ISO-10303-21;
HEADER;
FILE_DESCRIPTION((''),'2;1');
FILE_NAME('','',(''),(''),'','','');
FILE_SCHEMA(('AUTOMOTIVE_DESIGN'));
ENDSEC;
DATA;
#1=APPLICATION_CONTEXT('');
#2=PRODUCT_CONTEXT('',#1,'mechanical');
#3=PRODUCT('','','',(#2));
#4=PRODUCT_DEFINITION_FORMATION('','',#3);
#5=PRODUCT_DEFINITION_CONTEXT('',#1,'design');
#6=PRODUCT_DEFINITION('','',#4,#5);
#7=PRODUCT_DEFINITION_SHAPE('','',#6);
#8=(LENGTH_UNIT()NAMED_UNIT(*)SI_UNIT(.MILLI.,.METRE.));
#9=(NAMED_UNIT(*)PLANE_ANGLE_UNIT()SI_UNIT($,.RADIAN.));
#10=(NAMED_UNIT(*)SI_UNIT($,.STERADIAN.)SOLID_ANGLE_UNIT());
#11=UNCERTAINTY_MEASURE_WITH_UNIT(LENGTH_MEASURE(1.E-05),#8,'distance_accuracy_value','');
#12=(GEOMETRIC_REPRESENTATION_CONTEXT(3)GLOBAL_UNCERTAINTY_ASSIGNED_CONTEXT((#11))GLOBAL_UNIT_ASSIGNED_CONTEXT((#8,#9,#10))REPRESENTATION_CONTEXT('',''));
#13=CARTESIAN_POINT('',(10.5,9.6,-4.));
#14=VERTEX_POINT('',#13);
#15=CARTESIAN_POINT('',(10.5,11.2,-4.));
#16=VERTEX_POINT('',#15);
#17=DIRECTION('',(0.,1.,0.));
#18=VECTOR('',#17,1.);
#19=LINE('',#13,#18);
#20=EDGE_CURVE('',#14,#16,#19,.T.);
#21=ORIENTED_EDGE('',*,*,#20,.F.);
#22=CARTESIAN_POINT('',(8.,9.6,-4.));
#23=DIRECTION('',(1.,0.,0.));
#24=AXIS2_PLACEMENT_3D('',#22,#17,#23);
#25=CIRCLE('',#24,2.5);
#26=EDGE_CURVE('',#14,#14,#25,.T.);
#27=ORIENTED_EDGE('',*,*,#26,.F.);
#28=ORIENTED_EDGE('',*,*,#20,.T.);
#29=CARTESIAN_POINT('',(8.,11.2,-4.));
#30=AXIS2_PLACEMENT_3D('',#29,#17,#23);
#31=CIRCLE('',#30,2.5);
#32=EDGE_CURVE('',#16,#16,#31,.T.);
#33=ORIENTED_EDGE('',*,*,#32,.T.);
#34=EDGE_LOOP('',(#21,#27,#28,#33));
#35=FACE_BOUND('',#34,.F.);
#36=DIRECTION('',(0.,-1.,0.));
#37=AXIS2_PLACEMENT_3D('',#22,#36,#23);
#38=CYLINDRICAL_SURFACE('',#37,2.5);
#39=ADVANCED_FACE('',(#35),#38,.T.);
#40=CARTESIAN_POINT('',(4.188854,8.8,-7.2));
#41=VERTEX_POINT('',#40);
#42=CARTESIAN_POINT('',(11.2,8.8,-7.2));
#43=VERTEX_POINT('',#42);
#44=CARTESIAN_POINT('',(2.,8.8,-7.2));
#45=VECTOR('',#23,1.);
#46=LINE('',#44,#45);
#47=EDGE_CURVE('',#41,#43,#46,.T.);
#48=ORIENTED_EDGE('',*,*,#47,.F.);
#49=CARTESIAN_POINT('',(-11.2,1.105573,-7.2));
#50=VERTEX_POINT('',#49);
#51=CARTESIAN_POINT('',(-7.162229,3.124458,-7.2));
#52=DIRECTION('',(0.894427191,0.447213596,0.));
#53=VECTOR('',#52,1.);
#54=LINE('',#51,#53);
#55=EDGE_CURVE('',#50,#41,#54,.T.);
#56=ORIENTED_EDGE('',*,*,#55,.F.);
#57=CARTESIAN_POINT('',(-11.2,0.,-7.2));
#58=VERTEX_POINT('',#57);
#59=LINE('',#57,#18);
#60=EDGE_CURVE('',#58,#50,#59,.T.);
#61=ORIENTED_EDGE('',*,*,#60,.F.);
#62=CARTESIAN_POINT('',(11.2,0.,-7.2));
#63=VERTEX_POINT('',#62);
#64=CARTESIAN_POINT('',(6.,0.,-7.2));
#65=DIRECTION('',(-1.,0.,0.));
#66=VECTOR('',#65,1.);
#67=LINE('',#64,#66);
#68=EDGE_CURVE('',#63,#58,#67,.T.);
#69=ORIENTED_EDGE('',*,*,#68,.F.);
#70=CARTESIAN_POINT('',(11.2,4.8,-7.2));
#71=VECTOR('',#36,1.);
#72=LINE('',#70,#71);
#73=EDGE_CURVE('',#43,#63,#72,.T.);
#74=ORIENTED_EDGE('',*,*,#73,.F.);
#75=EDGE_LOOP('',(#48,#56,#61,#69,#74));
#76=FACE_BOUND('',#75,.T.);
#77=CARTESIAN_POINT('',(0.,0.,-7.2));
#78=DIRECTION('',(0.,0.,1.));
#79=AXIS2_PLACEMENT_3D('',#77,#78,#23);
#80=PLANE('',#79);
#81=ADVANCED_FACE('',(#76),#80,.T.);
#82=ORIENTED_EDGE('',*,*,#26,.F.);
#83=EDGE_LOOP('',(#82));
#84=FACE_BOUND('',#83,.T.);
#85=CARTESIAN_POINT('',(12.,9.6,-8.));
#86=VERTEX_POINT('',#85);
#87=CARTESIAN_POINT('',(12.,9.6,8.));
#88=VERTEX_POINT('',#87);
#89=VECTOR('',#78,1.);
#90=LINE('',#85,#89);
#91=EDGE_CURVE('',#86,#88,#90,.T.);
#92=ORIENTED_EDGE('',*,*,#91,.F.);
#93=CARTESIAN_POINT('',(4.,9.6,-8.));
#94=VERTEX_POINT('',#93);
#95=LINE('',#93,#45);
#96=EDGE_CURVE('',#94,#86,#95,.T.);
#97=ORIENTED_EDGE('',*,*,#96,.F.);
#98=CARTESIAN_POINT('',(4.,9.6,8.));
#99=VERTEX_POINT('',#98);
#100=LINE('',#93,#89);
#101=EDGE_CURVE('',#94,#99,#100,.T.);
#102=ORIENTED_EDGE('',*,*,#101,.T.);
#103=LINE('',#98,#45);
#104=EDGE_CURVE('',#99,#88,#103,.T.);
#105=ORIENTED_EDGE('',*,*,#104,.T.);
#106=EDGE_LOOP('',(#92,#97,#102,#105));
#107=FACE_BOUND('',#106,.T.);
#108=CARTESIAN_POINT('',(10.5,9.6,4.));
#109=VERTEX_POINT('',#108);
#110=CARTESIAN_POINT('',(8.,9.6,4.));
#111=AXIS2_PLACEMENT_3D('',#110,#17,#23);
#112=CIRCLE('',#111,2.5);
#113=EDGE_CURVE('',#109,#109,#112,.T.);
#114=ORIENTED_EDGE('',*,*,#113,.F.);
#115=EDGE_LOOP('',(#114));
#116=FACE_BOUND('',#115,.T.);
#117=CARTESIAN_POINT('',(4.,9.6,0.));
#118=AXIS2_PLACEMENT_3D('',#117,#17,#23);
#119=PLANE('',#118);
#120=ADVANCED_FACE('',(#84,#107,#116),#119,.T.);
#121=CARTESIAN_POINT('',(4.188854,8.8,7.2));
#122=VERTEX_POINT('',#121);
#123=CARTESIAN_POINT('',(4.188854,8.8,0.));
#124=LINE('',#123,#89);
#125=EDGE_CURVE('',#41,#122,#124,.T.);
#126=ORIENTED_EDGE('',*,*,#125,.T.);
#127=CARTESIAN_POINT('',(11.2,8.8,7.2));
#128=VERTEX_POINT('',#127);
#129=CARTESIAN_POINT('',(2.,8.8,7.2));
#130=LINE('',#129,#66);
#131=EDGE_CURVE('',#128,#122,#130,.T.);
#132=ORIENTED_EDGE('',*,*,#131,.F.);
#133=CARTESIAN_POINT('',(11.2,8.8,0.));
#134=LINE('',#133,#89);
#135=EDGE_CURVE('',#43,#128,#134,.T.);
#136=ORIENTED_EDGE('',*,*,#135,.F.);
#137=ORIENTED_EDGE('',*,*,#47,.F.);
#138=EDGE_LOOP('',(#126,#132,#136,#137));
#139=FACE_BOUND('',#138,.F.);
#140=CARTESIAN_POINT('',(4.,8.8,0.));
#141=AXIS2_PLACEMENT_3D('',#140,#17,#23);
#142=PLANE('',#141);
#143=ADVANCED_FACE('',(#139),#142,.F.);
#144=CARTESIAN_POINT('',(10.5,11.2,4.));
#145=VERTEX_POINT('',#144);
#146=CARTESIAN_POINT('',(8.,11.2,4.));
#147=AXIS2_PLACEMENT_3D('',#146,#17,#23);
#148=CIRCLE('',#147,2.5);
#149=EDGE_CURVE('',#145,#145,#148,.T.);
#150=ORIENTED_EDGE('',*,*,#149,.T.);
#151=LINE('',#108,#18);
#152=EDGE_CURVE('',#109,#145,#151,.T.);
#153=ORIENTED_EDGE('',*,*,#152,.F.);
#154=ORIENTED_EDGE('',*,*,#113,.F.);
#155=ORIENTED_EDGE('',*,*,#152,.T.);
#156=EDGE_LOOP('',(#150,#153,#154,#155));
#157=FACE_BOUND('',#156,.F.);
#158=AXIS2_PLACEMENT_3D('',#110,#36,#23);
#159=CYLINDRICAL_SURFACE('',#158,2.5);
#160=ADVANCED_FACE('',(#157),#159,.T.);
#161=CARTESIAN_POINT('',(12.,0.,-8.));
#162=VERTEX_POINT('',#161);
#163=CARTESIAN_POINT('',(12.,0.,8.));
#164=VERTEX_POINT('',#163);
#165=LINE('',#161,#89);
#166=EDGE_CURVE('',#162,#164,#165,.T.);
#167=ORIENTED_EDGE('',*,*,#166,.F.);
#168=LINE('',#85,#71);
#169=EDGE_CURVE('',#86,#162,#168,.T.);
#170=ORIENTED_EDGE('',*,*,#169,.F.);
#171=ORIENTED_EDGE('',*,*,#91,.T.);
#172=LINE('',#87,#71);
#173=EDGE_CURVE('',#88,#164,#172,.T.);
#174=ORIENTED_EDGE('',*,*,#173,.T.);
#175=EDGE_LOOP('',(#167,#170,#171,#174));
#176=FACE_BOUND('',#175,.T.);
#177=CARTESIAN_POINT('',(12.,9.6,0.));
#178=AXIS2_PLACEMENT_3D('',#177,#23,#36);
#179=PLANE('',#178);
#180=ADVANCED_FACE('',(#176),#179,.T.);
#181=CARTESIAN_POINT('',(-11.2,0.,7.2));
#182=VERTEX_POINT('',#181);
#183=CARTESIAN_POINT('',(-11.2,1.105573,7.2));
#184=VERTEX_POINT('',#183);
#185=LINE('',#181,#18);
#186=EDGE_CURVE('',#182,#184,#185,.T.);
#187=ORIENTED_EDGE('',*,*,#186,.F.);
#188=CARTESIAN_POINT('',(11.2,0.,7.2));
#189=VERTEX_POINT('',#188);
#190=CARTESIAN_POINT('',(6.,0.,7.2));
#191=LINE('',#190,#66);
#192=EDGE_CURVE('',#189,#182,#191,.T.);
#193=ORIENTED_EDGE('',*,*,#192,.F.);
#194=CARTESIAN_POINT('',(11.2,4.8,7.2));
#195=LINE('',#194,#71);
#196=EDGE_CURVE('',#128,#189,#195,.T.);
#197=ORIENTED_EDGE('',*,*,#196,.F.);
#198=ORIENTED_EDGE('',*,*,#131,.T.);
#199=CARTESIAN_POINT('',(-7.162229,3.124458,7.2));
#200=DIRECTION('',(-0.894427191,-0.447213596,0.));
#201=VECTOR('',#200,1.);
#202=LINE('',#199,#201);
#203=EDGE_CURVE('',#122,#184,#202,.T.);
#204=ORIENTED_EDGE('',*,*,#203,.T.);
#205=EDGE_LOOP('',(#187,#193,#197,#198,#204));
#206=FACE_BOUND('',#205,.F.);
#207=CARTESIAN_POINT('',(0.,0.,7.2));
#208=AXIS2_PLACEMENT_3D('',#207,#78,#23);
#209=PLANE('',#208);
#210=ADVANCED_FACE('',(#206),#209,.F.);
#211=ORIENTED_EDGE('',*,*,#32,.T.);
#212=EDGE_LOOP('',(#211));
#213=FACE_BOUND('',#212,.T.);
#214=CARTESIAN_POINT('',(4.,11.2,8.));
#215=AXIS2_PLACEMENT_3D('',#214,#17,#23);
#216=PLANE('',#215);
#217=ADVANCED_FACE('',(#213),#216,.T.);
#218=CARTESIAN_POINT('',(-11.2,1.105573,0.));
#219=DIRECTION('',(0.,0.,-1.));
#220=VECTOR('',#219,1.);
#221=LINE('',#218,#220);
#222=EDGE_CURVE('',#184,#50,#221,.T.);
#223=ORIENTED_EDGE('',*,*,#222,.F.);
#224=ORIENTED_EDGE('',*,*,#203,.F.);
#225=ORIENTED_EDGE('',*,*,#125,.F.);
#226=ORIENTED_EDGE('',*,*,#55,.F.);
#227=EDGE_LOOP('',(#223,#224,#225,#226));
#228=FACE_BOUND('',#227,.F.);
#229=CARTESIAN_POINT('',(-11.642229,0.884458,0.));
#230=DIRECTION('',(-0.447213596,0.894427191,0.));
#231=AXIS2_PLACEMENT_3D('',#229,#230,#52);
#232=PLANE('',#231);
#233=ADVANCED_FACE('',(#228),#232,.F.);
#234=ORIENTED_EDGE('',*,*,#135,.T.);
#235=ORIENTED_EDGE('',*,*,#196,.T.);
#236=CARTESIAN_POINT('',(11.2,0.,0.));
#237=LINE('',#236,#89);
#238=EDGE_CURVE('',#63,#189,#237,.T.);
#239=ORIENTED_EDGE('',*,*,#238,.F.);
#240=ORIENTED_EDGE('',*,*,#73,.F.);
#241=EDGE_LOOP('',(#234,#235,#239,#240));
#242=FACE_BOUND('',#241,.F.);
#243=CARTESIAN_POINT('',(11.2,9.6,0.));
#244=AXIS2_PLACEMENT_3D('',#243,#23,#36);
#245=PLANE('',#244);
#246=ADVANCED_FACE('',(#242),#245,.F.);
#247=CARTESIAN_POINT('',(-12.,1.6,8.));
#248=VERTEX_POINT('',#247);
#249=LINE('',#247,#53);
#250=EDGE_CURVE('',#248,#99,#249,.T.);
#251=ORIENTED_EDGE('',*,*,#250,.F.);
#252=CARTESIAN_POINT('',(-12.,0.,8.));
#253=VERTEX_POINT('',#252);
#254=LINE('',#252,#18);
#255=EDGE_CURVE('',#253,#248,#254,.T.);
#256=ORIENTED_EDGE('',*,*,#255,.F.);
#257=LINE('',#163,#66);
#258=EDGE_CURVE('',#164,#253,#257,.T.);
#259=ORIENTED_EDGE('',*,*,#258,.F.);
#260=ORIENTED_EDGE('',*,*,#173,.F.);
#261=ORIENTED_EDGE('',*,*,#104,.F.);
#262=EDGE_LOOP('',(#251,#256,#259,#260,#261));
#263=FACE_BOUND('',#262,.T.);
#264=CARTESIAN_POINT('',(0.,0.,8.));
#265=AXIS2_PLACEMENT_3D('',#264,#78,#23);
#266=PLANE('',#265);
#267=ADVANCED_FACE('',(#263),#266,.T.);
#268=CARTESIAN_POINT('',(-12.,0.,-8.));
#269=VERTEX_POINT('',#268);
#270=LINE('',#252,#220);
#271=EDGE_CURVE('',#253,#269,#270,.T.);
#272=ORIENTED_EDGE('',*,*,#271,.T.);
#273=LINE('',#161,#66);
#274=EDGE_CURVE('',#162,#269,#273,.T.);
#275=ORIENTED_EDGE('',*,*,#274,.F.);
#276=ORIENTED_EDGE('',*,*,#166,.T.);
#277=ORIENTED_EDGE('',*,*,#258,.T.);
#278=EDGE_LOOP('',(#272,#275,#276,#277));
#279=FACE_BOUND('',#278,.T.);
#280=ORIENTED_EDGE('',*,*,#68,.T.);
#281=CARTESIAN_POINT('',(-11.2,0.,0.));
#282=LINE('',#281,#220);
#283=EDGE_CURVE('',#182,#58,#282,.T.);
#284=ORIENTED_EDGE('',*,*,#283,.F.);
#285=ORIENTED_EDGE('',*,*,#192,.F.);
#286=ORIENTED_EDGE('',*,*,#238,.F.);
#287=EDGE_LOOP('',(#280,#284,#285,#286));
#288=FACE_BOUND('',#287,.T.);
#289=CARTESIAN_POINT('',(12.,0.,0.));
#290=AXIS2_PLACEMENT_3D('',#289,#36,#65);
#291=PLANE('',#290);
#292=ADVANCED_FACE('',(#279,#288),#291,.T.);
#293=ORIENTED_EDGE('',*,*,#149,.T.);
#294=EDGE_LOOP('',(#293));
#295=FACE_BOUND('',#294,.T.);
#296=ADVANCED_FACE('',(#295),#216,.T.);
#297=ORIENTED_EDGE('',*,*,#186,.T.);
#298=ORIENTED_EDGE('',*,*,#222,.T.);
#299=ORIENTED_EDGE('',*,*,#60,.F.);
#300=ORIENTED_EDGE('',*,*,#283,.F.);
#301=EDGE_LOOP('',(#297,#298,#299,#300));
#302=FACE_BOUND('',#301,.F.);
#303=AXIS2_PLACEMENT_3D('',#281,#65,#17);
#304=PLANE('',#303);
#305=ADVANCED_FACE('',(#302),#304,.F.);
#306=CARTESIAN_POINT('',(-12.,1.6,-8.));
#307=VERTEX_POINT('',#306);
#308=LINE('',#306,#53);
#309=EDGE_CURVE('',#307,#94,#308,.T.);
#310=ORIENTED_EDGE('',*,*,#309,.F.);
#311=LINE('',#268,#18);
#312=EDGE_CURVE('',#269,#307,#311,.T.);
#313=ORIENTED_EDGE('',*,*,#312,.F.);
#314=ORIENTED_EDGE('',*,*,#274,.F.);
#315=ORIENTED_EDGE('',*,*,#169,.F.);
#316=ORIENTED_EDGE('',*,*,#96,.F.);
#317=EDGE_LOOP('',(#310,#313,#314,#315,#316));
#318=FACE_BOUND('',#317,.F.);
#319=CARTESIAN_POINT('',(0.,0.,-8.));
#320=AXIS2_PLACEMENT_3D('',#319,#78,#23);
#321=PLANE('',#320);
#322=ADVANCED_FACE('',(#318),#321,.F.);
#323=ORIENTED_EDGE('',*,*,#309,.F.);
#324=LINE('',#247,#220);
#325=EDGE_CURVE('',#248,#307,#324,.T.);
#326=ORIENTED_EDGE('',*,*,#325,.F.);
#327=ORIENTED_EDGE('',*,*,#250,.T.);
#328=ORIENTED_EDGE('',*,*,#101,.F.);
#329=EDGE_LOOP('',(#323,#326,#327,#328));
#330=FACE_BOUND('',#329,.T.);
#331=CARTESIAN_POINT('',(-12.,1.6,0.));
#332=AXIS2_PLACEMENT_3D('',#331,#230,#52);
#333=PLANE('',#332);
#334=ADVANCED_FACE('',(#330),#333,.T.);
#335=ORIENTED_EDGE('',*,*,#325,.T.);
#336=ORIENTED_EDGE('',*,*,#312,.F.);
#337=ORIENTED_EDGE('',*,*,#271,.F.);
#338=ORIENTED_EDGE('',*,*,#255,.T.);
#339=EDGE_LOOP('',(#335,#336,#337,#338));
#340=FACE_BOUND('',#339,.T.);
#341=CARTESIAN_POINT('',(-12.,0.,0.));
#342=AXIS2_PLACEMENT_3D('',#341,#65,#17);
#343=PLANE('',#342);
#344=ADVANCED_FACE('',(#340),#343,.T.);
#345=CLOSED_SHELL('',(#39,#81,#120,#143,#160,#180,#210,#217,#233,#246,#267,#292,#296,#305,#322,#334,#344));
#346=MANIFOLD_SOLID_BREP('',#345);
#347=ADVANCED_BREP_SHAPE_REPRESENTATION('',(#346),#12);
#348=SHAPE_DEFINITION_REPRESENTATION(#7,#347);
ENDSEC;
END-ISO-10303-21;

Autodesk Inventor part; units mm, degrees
ref_plane "YZ Plane" through (0, 0, 0) normal (1, 0, 0) x (0, 1, 0)
ref_plane "XZ Plane" through (0, 0, 0) normal (0, 1, 0) x (-1, 0, 0)
ref_plane "XY Plane" through (0, 0, 0) normal (0, 0, 1) x (1, 0, 0)
sketch "Sketch1" plane through (0, 0, 0) normal (0, 0, 1) x (1, 0, 0)
  line L0 (12, 0) -> (-12, 0)
  line L1 (-12, 0) -> (-12, 1.6)
  line L2 (-12, 1.6) -> (4, 9.6)
  line L3 (4, 9.6) -> (12, 9.6)
  line L4 (12, 9.6) -> (12, 0)
  point P0 (0, 0)
  point P1 (0, 0)
  dimension "d0" = 9.6
  dimension "d1" = 24
  dimension "d2" = 16
  dimension "d3" = 1.6
extrude "Extrusion1" add sketch "Sketch1" along normal mid plane 16
shell "Shell1" thickness 0.8 removed faces 1 at (-4, 0, 2.6667)
sketch "Sketch2" plane through (4, 9.6, 8) normal (0, 1, 0) x (1, 0, 0)
  line L0 (4, 12) -> (4, 4) construction
  line L1 (-20.8, 8) -> (12.8, 8) construction
  line L2 (8, 0) -> (8, 16) construction
  circle A0 centre (4, 12) radius 2.5
  circle A1 centre (4, 4) radius 2.5
  point P0 (4, 8)
  dimension "d6" = 4
  dimension "d7" = 8
  dimension "d8" = 5
extrude "Extrusion2" add sketch "Sketch2" along normal blind 1.6
properties part number "LEGO Brick 3298" material "Steel"
